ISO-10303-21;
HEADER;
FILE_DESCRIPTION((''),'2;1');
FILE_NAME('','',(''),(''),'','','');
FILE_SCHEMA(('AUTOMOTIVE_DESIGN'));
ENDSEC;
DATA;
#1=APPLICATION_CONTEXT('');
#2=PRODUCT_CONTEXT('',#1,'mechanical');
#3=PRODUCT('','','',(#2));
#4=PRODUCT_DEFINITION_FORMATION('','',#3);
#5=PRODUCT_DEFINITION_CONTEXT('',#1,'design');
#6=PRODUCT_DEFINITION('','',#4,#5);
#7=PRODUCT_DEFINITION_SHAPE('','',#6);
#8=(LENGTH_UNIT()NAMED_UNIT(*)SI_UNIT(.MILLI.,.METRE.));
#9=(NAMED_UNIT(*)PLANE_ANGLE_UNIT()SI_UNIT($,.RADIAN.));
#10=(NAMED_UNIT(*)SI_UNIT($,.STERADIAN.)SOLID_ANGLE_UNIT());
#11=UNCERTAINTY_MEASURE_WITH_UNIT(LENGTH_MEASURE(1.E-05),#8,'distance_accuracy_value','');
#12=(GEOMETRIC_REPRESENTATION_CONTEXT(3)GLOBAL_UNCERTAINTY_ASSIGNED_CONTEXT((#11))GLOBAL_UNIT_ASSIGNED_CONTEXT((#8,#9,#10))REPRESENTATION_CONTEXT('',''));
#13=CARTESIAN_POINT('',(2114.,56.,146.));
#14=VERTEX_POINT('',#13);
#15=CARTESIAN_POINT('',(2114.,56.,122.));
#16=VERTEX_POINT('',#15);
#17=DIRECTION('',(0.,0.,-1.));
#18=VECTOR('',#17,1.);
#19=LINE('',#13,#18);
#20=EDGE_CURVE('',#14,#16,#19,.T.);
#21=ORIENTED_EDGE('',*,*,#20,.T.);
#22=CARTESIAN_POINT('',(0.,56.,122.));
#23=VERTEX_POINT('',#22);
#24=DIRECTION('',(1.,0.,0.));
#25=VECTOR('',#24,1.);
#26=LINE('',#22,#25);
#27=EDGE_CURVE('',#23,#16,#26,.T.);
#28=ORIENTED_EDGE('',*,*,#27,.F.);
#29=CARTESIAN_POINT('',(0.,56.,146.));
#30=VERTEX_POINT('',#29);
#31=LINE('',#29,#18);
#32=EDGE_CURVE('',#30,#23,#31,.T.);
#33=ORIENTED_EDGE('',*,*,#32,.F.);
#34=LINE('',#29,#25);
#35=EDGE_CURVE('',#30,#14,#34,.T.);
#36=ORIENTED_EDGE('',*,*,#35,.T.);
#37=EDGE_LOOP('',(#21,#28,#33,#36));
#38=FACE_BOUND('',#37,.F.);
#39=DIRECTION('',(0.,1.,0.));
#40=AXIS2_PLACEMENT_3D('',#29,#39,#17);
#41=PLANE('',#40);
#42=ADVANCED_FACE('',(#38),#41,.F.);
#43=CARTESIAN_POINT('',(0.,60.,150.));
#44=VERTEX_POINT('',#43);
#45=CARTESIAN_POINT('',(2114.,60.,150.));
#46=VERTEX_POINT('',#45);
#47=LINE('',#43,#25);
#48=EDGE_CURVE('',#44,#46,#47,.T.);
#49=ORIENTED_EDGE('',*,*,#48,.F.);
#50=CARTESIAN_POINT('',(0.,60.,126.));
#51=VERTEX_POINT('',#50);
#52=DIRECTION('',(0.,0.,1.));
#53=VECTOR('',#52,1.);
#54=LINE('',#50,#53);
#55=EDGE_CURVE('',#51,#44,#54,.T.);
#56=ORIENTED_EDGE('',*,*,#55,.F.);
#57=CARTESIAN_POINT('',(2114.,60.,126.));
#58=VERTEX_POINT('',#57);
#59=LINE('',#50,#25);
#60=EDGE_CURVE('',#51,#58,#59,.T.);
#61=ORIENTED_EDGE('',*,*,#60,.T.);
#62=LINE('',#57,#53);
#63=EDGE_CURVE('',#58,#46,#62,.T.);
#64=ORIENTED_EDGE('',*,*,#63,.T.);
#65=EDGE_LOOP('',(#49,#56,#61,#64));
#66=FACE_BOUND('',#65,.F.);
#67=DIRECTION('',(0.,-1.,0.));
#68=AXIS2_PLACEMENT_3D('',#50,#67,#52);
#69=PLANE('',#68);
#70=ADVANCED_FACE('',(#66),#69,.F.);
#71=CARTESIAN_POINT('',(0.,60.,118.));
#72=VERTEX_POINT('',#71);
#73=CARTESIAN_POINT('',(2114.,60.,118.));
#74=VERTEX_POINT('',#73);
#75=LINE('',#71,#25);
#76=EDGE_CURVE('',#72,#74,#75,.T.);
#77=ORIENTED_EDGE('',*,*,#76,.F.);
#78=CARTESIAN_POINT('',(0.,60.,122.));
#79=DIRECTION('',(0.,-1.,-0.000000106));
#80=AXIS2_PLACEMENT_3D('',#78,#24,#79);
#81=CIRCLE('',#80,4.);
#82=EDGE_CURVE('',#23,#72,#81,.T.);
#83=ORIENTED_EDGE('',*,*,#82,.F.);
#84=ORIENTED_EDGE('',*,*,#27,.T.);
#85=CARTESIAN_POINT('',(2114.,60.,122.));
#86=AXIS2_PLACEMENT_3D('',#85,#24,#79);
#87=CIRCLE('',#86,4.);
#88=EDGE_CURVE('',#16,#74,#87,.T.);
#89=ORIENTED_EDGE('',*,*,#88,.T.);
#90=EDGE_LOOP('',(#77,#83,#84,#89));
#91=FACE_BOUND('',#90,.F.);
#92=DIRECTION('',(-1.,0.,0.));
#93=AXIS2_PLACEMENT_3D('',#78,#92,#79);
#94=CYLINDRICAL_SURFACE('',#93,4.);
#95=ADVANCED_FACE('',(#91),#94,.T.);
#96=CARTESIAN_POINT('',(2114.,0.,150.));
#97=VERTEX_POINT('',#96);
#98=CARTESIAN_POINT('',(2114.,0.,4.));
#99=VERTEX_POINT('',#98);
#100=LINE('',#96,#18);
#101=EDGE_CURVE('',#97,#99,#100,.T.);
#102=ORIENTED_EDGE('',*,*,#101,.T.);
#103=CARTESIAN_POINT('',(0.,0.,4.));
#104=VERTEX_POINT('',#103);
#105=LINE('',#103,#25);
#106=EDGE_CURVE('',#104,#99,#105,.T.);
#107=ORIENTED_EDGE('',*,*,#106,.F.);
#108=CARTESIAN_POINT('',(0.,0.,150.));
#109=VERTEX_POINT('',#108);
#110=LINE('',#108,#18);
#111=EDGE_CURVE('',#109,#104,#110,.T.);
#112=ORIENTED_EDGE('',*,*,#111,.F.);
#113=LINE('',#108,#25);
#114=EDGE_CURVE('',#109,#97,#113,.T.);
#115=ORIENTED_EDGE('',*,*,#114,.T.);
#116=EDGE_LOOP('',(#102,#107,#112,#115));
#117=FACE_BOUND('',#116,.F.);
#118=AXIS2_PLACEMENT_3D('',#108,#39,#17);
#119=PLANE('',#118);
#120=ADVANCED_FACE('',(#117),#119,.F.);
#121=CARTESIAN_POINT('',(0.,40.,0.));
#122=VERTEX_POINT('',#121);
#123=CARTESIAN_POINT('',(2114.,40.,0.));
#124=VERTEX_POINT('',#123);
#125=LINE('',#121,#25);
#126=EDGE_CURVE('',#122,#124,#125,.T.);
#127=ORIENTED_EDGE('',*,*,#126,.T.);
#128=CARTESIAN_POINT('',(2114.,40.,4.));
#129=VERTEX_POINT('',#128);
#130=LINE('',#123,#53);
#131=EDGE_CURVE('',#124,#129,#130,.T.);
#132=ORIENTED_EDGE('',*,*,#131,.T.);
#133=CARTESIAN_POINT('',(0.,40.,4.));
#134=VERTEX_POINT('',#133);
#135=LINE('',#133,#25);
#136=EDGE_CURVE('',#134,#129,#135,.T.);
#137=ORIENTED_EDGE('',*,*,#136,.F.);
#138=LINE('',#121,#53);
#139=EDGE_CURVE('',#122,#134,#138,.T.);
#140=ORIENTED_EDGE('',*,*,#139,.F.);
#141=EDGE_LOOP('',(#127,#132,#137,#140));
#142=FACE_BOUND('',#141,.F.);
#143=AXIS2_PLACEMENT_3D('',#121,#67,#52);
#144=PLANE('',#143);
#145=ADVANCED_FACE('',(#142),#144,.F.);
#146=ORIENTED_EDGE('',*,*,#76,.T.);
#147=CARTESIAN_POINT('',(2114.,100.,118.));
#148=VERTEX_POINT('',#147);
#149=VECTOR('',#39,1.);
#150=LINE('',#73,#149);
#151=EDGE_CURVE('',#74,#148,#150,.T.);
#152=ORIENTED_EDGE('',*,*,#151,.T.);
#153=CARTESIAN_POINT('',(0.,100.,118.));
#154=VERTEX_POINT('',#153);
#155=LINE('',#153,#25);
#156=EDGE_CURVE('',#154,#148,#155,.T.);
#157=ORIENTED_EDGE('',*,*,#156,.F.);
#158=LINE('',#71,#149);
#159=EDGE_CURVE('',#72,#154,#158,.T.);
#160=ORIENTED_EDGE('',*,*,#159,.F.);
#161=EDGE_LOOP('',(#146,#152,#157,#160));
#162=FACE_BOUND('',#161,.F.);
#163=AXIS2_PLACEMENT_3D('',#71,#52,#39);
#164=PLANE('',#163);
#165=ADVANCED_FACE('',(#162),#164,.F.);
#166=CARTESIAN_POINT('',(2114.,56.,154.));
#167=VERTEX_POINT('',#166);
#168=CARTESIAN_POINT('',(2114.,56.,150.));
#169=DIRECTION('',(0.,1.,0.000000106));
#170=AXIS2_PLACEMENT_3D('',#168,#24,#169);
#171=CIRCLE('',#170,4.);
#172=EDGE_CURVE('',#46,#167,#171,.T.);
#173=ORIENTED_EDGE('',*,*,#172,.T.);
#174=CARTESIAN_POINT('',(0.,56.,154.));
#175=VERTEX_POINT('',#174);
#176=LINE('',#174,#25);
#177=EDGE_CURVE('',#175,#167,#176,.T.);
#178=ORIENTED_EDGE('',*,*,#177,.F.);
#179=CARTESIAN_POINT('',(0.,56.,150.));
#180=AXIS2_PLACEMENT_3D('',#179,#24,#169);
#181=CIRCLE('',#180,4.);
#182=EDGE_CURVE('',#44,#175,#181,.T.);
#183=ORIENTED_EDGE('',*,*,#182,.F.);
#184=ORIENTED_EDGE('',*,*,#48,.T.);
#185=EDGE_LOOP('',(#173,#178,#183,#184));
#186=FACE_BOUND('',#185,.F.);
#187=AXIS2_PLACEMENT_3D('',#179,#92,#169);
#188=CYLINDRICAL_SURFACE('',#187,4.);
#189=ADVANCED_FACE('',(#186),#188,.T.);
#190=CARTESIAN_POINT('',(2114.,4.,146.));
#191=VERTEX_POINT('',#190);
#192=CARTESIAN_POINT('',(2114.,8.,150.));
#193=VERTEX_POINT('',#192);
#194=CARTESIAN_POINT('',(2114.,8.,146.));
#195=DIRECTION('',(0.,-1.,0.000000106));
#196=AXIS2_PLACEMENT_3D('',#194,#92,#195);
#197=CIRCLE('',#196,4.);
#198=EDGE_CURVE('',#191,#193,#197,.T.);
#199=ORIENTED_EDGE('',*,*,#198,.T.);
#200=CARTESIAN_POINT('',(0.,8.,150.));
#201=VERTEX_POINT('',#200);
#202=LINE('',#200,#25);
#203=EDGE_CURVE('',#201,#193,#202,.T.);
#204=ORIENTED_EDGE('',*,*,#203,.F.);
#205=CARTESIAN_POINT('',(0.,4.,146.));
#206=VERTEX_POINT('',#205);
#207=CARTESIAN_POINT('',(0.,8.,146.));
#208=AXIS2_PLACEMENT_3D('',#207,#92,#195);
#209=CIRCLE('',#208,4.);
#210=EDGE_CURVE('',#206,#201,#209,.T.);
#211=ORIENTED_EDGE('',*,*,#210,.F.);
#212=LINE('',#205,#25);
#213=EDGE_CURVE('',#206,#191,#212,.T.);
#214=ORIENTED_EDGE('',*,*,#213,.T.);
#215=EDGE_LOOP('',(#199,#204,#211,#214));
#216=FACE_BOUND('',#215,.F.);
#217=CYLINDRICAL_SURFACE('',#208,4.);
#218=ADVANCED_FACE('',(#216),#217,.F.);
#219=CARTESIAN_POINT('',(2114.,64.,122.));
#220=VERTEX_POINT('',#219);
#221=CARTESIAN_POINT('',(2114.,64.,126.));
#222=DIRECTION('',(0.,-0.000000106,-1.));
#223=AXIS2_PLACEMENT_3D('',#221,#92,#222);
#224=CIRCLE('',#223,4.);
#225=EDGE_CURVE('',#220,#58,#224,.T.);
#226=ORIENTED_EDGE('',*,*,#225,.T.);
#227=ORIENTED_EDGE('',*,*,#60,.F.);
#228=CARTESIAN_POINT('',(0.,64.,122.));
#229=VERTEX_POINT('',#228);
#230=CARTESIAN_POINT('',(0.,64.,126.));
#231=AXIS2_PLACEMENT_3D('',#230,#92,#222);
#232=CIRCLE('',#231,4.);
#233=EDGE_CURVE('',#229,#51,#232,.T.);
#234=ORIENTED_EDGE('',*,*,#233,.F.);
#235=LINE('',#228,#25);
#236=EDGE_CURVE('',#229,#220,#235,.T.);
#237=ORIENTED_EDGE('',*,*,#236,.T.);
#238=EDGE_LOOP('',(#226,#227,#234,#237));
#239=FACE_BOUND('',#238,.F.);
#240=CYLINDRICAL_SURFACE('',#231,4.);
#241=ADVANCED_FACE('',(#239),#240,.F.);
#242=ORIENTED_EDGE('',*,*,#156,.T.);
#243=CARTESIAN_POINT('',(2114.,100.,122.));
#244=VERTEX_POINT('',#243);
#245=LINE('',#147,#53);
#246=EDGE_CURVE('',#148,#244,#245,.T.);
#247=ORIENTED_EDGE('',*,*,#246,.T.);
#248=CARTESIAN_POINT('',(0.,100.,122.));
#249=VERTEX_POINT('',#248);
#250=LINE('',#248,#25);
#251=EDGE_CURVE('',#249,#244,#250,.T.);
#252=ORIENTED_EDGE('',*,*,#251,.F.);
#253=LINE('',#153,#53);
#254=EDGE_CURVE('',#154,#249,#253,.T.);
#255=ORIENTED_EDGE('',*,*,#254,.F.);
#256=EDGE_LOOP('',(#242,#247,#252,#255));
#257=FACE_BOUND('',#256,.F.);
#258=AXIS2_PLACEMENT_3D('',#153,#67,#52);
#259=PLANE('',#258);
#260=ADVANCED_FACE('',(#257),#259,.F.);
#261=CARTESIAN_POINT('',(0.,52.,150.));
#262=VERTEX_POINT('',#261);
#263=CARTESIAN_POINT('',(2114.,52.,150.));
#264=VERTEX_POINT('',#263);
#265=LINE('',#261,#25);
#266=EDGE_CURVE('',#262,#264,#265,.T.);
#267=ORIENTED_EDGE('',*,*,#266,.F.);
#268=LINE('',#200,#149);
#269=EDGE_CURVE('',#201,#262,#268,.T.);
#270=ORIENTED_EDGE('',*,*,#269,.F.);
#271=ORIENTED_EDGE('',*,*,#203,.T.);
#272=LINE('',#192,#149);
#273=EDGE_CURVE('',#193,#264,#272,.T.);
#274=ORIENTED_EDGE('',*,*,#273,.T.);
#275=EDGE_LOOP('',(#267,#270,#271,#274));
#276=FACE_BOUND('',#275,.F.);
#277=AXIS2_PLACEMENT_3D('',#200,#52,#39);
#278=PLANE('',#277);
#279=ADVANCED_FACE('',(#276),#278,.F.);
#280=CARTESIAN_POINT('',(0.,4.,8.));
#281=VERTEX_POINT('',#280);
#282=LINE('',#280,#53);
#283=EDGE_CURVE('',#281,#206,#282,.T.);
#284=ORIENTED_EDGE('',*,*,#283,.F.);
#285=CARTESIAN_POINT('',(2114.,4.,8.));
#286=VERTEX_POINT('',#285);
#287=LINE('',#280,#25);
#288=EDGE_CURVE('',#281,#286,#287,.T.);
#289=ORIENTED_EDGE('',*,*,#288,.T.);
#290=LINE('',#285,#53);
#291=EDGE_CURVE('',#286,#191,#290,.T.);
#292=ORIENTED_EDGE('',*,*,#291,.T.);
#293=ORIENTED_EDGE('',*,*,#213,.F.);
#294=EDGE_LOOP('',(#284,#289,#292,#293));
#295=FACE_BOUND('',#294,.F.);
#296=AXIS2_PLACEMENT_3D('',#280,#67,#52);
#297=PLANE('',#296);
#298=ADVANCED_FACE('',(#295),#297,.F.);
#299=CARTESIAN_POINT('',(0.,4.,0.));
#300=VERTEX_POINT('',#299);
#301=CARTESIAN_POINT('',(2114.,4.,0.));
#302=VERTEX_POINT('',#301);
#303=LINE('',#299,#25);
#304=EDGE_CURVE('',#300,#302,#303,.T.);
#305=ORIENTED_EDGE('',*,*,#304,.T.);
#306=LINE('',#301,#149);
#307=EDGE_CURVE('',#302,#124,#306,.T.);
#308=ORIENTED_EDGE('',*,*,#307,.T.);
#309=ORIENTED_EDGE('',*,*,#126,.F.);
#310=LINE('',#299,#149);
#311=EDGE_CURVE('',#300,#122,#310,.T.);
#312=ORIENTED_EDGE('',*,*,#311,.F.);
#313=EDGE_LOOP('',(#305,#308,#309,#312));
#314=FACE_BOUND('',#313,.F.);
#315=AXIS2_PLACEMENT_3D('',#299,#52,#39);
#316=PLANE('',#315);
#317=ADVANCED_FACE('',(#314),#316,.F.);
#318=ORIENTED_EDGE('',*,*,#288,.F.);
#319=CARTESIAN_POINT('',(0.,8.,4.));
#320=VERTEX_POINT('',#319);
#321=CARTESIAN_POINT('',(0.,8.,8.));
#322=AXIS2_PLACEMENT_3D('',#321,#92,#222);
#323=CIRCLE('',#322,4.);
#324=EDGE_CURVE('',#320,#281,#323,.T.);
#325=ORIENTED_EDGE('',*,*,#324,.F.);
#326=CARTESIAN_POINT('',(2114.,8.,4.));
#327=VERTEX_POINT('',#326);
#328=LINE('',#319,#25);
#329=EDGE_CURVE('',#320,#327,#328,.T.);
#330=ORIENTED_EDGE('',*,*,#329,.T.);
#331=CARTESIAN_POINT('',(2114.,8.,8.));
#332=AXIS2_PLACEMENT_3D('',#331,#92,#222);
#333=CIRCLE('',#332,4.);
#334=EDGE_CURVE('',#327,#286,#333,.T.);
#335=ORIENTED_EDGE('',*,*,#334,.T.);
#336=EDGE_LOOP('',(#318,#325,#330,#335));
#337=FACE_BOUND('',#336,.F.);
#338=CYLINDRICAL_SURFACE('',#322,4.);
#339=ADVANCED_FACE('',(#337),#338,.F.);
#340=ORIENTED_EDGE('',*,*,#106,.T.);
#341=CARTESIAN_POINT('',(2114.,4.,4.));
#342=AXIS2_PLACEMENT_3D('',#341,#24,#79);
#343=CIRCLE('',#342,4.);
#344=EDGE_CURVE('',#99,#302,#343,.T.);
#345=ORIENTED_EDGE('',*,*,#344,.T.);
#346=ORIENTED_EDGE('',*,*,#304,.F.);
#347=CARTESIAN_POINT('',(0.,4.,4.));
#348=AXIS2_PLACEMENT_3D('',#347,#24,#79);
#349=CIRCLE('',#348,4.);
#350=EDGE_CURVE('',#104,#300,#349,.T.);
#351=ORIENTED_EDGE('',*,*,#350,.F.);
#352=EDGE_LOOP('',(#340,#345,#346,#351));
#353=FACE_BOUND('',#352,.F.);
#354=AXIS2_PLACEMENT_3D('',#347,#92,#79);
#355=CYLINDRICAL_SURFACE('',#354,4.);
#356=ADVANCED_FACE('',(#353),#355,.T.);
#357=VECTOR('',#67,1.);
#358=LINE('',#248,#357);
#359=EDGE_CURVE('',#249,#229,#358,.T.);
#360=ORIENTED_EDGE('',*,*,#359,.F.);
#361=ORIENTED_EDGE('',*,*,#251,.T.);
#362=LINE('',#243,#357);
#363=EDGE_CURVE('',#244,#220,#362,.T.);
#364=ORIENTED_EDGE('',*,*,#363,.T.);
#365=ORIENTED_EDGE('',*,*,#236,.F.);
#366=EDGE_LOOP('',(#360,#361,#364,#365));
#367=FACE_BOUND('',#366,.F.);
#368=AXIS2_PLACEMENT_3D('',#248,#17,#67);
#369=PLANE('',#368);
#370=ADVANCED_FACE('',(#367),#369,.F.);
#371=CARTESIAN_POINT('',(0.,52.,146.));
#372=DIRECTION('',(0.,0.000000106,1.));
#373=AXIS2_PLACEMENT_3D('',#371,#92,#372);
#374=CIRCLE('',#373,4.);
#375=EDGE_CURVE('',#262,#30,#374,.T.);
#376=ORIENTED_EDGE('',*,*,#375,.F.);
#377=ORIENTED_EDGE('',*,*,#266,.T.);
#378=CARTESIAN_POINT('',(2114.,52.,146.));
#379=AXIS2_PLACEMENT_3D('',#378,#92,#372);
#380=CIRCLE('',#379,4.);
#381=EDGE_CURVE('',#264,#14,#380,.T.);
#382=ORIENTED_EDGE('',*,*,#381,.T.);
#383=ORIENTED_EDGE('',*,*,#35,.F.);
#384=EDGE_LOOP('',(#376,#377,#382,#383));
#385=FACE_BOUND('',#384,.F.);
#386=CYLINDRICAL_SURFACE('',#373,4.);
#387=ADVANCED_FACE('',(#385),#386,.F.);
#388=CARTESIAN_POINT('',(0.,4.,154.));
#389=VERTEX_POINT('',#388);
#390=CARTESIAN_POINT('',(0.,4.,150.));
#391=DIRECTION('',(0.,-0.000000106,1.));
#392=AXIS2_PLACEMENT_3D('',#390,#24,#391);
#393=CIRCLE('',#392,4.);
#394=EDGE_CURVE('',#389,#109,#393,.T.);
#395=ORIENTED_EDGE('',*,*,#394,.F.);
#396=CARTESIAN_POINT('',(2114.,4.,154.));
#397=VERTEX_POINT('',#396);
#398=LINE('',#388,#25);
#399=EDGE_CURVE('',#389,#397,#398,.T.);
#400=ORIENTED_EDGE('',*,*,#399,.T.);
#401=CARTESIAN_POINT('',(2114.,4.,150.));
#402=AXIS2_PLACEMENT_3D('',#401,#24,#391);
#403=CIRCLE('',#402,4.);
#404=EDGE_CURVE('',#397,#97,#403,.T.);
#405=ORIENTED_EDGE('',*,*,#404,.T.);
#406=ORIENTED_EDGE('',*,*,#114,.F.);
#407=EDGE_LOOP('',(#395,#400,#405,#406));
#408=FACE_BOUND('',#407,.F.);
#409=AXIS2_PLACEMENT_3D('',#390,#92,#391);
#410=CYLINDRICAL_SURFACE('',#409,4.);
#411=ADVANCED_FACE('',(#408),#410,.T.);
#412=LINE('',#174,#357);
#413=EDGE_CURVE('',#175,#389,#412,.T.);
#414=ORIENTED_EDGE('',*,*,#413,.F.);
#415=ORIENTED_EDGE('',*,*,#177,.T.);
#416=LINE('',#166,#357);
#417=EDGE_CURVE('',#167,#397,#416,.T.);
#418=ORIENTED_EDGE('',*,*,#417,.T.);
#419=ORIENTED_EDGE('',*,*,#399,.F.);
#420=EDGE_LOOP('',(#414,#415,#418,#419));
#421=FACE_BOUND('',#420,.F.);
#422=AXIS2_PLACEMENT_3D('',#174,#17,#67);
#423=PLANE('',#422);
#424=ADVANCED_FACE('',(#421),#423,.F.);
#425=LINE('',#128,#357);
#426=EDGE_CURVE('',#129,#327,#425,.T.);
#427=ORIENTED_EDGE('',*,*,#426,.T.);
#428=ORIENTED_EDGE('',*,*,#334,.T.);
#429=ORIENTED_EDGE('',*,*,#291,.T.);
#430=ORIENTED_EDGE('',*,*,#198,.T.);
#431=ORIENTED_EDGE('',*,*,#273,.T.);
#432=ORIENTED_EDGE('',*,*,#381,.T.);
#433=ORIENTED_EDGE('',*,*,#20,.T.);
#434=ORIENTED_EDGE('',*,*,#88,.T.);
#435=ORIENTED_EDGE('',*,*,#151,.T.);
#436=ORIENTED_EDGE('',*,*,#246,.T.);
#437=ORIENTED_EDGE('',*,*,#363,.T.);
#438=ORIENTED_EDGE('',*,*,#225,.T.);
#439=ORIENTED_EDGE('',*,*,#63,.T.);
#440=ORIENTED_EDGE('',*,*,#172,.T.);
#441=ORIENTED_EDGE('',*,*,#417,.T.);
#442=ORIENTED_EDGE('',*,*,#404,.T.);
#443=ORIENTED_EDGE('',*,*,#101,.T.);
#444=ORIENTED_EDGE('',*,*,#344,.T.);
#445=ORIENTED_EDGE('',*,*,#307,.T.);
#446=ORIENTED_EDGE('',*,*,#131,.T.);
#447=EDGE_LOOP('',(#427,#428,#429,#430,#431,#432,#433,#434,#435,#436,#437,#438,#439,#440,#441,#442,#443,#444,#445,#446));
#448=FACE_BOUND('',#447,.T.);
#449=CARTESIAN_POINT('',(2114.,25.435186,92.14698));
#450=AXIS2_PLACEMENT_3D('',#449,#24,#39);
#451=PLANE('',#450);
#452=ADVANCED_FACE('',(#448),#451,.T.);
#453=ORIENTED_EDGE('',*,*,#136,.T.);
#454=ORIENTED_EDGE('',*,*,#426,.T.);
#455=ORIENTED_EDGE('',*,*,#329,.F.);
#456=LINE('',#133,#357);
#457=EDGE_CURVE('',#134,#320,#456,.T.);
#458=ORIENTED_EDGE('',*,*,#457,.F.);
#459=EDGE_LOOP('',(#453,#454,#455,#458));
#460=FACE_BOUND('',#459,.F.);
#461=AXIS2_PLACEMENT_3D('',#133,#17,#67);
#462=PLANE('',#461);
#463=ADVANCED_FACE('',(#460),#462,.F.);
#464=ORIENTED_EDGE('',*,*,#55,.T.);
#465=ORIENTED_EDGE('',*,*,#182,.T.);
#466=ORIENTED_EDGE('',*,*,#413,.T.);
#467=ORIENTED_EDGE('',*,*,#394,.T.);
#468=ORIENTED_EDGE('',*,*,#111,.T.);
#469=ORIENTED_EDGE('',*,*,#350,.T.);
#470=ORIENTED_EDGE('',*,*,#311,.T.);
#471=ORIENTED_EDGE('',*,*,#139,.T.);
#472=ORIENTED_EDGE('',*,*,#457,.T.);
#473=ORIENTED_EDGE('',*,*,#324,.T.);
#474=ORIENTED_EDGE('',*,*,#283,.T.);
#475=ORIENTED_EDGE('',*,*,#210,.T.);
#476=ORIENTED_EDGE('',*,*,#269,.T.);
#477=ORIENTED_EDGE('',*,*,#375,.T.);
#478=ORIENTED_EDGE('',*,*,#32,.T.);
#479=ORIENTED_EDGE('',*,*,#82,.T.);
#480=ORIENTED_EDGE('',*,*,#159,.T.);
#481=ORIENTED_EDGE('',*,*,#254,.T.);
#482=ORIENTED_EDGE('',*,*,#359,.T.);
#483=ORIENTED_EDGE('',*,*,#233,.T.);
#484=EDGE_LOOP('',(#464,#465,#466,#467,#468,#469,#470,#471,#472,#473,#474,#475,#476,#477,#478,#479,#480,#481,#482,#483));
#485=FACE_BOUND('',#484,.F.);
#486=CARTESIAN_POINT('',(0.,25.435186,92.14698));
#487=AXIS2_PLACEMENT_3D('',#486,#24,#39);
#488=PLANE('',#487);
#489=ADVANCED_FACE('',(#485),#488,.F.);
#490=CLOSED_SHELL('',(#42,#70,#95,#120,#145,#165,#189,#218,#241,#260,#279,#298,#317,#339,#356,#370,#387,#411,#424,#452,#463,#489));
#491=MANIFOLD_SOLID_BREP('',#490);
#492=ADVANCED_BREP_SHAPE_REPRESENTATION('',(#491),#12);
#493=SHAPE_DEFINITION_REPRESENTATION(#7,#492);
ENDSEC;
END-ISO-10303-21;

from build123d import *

# Parameters (mm, degrees)
F1_DEPTH = 2114


with BuildPart() as f1:
    # F0 (on Right) → F1 (new body)
    with BuildSketch(Plane.YZ):
        with BuildLine():
            ThreePointArc((0, 4), (1.171573, 1.171573), (4, 0))
            Line((4, 0), (40, 0))
            Line((40, 0), (40, 4))
            Line((40, 4), (8, 4))
            ThreePointArc((8, 4), (5.171573, 5.171573), (4, 8))
            Line((4, 8), (4, 146))
            ThreePointArc((4, 146), (5.171573, 148.828427), (8, 150))
            Line((8, 150), (52, 150))
            ThreePointArc((52, 150), (54.828427, 148.828427), (56, 146))
            Line((56, 146), (56, 122))
            ThreePointArc((56, 122), (57.171573, 119.171573), (60, 118))
            Line((60, 118), (100, 118))
            Line((100, 118), (100, 122))
            Line((100, 122), (64, 122))
            ThreePointArc((64, 122), (61.171573, 123.171573), (60, 126))
            Line((60, 126), (60, 150))
            ThreePointArc((60, 150), (58.828427, 152.828427), (56, 154))
            Line((56, 154), (4, 154))
            ThreePointArc((4, 154), (1.171573, 152.828427), (0, 150))
            Line((0, 150), (0, 4))
        make_face()
    extrude(amount=F1_DEPTH)


solid = f1.part
